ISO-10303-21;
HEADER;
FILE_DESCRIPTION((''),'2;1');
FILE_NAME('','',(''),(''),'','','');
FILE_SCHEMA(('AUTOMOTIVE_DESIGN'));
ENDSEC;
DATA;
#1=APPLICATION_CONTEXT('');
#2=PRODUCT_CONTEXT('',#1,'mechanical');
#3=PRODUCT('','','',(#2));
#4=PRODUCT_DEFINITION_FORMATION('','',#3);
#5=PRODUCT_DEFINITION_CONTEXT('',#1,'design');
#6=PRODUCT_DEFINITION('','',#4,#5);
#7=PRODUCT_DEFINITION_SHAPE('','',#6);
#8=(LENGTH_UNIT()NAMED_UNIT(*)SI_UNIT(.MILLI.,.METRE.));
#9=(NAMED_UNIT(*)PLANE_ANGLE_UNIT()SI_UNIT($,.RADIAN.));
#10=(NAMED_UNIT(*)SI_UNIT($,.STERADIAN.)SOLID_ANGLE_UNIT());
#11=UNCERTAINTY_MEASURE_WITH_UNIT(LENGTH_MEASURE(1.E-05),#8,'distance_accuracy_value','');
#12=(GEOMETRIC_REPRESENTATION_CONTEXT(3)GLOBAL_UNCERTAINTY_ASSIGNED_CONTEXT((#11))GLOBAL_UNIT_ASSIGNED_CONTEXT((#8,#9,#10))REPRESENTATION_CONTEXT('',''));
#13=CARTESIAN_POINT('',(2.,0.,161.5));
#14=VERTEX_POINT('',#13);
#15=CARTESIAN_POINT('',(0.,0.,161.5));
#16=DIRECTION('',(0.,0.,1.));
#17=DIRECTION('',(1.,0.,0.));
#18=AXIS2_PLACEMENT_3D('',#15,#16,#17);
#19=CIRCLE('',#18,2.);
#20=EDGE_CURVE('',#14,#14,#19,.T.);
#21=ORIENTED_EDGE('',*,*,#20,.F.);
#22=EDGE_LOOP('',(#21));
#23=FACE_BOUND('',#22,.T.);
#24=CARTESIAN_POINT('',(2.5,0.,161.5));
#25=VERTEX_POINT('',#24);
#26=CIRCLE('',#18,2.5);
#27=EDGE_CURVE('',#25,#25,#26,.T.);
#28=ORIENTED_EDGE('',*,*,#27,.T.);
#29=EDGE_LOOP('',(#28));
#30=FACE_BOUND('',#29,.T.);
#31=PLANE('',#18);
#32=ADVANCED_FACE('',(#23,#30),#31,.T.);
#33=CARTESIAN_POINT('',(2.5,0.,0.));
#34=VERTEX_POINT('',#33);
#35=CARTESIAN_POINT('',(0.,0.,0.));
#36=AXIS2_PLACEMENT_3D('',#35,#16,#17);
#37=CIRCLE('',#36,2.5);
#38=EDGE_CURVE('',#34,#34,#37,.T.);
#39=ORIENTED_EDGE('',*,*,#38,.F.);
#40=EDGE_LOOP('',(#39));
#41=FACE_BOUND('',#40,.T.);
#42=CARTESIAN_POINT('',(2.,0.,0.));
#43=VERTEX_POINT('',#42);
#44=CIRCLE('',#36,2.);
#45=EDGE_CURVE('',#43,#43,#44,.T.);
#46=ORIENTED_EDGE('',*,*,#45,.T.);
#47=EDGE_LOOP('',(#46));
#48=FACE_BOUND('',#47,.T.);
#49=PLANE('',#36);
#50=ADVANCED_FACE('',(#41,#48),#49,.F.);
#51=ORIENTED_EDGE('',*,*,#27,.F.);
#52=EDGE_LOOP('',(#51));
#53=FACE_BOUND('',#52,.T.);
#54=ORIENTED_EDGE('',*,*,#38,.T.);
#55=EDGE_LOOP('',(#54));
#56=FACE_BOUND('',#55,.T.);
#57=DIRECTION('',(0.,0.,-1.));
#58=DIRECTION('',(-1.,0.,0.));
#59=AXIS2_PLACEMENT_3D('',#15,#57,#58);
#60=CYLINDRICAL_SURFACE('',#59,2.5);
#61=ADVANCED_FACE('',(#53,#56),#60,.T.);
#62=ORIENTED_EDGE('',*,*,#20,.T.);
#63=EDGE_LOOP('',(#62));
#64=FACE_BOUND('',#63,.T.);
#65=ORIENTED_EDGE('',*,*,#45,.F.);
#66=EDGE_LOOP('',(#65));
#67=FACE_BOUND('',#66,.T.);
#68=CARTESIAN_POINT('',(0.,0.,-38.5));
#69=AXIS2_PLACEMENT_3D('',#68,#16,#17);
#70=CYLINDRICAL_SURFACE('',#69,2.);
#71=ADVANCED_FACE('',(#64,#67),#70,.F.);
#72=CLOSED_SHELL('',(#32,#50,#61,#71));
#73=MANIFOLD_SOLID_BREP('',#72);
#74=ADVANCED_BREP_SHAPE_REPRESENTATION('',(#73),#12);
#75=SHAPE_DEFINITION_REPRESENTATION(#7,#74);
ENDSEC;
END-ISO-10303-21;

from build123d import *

# Parameters (mm, degrees)
IZIM1_R                     = 2.5
Y_KSEKLIK_EKSTR_ZYON1_DEPTH = 161.5
IZIM2_R                     = 2
KES_EKSTR_ZYON1_DEPTH       = 200


with BuildPart() as part:
    # Çizim1 → Yükseklik-Ekstrüzyon1 (new body)
    with BuildSketch(Plane.XY):
        Circle(IZIM1_R)
    extrude(amount=Y_KSEKLIK_EKSTR_ZYON1_DEPTH)

    # Çizim2 → Kes-Ekstrüzyon1 (cut)
    with BuildSketch(Plane.XY.offset(161.5)):
        Circle(IZIM2_R)
    extrude(amount=-KES_EKSTR_ZYON1_DEPTH, mode=Mode.SUBTRACT)


solid = part.part
